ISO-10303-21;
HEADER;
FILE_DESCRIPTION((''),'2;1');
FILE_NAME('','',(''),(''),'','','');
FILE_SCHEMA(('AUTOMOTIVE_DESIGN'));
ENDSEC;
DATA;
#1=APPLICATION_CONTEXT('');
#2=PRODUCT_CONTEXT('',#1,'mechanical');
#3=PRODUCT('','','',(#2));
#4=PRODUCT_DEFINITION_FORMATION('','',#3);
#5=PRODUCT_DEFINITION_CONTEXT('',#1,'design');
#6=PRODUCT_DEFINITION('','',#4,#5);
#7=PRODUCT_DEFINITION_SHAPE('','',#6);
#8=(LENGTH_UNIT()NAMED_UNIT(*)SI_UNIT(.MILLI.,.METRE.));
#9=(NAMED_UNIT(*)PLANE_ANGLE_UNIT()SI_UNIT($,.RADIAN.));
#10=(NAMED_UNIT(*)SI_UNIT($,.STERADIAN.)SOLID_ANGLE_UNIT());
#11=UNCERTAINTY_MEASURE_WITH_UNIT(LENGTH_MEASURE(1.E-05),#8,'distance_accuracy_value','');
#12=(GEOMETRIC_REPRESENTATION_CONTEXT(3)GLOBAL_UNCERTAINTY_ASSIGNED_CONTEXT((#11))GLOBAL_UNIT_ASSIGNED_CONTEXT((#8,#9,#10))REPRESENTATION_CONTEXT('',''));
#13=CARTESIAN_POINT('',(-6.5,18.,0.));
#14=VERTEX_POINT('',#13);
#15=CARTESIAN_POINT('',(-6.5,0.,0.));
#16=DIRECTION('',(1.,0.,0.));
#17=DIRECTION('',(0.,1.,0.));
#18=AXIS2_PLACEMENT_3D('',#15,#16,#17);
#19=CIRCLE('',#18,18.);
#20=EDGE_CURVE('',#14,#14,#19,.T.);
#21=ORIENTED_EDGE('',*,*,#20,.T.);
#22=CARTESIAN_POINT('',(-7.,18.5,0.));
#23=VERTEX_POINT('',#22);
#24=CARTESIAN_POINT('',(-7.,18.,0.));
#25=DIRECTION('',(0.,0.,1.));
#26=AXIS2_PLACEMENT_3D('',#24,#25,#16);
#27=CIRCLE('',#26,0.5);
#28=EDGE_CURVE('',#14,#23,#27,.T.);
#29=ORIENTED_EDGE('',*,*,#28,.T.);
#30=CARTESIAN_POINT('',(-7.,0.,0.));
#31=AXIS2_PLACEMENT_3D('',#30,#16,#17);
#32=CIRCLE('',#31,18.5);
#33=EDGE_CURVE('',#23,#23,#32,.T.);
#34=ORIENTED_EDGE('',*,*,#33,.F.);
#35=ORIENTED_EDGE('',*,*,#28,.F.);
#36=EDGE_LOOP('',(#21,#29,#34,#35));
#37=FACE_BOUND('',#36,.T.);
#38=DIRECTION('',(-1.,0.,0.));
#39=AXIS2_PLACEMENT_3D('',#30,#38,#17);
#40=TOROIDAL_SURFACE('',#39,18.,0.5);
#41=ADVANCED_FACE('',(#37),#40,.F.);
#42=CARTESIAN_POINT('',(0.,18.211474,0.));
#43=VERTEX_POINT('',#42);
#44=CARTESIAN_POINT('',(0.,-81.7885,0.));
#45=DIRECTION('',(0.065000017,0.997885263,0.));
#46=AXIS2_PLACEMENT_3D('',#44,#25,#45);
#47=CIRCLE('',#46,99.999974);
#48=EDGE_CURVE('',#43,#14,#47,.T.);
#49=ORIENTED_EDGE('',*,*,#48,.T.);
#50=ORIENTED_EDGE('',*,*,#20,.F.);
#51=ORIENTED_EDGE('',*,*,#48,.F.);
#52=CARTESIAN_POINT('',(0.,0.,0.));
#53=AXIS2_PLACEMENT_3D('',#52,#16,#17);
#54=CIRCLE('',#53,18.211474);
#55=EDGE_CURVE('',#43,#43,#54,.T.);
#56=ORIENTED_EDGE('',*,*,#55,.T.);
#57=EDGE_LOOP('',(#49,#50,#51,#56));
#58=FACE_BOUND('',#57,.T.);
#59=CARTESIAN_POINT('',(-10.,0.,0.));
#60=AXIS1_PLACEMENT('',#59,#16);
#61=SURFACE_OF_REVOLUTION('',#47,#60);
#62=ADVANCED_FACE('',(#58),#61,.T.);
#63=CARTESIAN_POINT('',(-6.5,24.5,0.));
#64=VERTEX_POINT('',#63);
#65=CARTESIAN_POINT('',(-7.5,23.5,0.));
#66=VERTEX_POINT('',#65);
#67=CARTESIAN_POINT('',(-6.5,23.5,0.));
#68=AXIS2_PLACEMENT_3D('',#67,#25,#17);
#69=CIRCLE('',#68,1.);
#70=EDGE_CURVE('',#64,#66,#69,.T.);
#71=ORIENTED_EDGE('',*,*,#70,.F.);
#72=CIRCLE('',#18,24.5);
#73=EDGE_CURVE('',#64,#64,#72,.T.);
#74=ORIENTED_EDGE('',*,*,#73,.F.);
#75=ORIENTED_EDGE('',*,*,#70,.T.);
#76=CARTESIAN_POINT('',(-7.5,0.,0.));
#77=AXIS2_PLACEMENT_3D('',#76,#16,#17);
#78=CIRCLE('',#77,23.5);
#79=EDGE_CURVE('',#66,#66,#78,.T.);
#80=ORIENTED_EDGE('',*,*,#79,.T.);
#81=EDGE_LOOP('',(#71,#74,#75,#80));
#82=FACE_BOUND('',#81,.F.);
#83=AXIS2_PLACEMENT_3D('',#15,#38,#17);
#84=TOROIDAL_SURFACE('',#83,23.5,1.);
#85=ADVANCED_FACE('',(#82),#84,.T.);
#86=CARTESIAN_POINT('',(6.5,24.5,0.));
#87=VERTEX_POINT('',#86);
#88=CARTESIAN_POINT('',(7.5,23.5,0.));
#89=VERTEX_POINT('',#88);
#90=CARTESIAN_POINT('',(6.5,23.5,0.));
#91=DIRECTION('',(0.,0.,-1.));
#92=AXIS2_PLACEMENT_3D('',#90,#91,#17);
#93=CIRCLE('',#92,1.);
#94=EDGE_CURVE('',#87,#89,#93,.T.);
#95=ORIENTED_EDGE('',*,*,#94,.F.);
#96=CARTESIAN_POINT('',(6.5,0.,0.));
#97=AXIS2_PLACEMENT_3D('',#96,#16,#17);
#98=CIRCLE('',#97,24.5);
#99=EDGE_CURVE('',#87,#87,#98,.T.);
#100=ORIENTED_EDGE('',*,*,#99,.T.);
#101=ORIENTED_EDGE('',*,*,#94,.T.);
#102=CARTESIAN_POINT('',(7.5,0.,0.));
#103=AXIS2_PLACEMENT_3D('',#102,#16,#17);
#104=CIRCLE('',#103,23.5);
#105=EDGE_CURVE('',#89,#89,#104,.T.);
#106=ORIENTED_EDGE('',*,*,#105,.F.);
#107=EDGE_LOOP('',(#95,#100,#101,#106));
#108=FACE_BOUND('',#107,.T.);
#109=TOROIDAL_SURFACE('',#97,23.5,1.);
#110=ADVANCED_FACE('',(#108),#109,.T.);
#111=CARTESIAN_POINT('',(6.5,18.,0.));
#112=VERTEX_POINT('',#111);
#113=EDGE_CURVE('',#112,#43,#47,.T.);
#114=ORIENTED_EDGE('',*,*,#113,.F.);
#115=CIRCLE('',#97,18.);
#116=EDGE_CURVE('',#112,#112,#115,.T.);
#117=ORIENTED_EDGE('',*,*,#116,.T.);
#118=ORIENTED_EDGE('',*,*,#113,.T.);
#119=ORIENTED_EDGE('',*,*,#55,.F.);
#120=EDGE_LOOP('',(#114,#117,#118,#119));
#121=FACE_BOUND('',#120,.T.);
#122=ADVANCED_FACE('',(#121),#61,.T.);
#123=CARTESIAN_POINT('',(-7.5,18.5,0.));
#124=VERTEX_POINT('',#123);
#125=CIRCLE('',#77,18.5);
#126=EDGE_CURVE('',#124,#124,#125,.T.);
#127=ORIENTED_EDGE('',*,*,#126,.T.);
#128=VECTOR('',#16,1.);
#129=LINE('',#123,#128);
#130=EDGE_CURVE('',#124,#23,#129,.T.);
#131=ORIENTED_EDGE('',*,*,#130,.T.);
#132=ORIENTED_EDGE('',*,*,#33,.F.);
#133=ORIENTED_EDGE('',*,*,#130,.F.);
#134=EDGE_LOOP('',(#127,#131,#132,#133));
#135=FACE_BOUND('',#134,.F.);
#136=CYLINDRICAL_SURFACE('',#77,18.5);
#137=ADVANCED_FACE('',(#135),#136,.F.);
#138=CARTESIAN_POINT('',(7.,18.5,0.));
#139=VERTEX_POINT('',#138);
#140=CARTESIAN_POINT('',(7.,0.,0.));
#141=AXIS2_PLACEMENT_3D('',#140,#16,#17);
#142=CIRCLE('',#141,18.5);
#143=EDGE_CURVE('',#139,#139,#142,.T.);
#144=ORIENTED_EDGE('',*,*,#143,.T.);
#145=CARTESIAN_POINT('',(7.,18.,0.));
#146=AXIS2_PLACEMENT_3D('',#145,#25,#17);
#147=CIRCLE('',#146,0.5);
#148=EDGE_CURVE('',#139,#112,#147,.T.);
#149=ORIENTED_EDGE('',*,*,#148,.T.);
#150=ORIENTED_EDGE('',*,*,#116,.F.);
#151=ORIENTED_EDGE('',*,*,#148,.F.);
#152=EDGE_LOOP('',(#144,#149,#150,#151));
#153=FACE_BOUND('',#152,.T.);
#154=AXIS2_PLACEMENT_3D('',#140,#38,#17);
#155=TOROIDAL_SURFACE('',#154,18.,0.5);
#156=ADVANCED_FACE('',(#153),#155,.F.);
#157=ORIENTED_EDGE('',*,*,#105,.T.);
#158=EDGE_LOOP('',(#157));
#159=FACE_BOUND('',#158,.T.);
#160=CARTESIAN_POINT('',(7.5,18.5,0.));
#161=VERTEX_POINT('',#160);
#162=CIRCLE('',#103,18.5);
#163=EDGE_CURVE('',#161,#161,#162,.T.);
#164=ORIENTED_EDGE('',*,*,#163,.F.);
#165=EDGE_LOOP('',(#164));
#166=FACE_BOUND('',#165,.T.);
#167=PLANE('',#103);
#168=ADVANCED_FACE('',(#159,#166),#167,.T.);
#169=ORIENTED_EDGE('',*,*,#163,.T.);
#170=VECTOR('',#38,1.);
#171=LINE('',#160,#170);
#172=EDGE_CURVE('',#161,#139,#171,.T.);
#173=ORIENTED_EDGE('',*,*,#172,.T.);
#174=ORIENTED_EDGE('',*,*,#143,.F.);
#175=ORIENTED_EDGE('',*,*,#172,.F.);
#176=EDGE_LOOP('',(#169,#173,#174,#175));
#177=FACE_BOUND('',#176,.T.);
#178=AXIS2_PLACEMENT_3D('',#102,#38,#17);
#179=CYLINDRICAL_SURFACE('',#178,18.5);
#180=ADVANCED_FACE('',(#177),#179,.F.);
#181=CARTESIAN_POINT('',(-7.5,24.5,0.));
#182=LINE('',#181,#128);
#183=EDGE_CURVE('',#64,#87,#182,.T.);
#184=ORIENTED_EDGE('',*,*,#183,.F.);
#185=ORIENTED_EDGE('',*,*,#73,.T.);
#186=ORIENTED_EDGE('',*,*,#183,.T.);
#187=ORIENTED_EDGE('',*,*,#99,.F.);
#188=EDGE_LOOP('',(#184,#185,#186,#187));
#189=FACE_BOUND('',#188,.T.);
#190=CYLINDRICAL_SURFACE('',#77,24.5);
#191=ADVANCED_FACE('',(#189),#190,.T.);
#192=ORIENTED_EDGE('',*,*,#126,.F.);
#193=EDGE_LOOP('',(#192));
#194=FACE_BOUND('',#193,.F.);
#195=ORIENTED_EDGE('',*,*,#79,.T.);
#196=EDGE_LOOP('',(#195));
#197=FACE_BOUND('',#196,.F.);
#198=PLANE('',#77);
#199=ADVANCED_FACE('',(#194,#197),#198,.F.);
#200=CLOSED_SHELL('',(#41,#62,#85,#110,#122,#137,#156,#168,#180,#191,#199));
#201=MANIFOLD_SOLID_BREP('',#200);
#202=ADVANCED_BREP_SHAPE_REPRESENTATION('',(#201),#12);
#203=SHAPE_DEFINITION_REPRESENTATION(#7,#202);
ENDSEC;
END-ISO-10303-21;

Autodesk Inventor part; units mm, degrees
ref_plane "YZ Plane" through (0, 0, 0) normal (1, 0, 0) x (0, 1, 0)
ref_plane "XZ Plane" through (0, 0, 0) normal (0, 1, 0) x (-1, 0, 0)
ref_plane "XY Plane" through (0, 0, 0) normal (0, 0, 1) x (1, 0, 0)
sketch "草图1" plane through (0, 0, 0) normal (0, 0, 1) x (1, 0, 0)
  line L0 (-7.5, 24.5) -> (7.5, 24.5)
  line L1 (-10.9677, 0) -> (10.5779, 0) projected
  line L2 (0, -103.0462) -> (0, 45.7577) projected
  line L3 (-7.5, 24.5) -> (-7.5, 18.5)
  line L4 (-7.5, 18.5) -> (-7, 18.5)
  arc A0 (-6.5, 18) -> (-7, 18.5) centre (-7, 18) ccw
  line L5 (-7, 18) -> (-7.8897, 18) construction
  line L6 (7.5, 24.5) -> (7.5, 18.5)
  line L7 (7.5, 18.5) -> (7, 18.5)
  arc A1 (7, 18.5) -> (6.5, 18) centre (7, 18) ccw
  arc A2 (6.5, 18) -> (-6.5, 18) centre (0, -81.7885) ccw
  point P0 (0, 0)
  dimension "d1" = 0.5
  dimension "d2" = 6
  dimension "d3" = 1
  dimension "d4" = 24.5
  dimension "d11" = 15
  dimension "d13" = 100
  dimension "d14" = 18
revolve "旋转1" add sketch "草图1" angle 360 about axis through (-10, 0, 0) along (1, 0, 0)
fillet "圆角1" radius 1 2 edges at (-7.5, -24.5, 0) (7.5, -24.5, 0)
properties part number "橡胶外轮设计" material "橡胶"
